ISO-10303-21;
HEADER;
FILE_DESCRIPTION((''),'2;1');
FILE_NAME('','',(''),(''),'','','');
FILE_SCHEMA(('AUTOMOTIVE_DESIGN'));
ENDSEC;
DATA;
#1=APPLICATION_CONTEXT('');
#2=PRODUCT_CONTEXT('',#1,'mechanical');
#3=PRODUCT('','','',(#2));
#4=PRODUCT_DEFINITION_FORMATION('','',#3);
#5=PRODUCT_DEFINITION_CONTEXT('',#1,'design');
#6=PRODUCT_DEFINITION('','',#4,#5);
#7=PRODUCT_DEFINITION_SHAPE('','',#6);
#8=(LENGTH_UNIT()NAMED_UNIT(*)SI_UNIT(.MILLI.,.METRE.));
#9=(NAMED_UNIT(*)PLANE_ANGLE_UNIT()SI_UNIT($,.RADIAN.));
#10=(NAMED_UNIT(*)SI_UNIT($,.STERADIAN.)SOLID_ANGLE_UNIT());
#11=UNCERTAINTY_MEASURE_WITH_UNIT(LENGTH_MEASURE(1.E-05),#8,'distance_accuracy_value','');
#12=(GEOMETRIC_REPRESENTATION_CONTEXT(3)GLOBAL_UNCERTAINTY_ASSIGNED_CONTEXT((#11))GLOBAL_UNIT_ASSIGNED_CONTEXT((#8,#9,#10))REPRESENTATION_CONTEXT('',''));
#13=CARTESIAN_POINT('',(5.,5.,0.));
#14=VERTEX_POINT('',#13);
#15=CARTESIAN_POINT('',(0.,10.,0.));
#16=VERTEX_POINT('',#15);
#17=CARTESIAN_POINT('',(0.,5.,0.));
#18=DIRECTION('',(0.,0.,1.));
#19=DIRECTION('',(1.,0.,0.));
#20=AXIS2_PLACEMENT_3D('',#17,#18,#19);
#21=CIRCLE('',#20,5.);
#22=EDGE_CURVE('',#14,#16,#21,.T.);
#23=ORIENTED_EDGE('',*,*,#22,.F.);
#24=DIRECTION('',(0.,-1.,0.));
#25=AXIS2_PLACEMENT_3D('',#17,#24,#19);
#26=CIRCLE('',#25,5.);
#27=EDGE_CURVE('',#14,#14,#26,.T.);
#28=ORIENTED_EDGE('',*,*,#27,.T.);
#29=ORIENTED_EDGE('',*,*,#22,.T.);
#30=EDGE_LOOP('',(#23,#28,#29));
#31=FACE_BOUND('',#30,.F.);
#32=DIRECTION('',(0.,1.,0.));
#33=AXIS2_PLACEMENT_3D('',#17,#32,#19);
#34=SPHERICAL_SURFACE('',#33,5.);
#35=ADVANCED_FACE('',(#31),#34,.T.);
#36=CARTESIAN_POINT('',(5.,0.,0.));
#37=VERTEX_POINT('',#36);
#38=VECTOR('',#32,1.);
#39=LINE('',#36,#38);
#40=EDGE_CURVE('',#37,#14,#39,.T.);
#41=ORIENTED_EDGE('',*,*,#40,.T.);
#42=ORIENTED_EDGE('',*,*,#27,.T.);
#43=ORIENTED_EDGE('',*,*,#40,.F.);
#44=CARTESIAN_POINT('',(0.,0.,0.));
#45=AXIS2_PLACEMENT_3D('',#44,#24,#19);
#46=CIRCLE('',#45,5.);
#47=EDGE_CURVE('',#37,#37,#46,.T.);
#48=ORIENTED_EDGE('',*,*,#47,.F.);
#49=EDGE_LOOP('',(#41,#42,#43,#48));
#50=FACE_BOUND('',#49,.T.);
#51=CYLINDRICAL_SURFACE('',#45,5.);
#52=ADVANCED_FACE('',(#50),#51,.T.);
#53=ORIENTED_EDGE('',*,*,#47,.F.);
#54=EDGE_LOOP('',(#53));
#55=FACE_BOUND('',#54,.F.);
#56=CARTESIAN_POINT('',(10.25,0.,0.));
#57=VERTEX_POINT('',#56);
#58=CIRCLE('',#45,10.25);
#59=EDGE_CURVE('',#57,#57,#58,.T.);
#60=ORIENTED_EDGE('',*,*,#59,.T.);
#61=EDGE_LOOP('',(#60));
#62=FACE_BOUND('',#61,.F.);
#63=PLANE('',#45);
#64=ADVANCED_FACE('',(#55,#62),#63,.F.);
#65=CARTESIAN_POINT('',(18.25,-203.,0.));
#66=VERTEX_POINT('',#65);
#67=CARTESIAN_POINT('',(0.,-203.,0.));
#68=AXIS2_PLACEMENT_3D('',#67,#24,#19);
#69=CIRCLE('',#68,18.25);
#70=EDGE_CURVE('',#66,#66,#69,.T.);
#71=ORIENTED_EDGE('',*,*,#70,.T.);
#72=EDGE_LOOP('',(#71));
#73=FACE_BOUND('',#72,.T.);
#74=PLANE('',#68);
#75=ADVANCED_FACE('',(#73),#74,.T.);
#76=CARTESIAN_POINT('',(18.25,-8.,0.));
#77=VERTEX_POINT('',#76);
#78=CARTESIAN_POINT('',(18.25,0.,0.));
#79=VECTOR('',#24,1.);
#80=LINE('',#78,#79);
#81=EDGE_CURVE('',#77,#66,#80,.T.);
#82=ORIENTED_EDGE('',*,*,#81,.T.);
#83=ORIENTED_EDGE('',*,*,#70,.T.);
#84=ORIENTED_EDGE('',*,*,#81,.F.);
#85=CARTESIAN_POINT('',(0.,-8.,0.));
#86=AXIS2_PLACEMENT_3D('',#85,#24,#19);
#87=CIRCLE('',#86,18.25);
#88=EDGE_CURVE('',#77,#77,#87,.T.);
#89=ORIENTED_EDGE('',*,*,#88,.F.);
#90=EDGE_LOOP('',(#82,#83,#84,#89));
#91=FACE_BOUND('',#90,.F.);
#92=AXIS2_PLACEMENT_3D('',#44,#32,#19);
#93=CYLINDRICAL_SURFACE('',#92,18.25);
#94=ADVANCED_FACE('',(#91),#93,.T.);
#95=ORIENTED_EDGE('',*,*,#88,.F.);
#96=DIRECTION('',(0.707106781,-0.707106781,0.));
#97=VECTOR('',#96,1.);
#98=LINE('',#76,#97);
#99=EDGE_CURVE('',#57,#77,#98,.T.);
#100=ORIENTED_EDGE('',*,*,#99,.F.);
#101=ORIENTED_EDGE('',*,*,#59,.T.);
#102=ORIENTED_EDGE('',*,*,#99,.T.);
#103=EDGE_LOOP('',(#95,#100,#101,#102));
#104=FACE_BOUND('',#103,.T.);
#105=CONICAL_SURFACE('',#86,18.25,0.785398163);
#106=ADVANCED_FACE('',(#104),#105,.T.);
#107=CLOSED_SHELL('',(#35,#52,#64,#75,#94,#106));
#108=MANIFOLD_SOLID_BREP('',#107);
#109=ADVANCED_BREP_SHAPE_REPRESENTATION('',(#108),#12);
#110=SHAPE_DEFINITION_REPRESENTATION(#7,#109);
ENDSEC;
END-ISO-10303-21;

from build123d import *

# Parameters (mm, degrees)
F0_R     = 18.25
F1_DEPTH = 203
F2_R     = 5
F3_DEPTH = 10
F4_R     = 5
F5_SIZE  = 8


with BuildPart() as f1:
    # F0 (on Front) → F1 (new body)
    with BuildSketch(Plane.XZ):
        Circle(F0_R)
    extrude(amount=F1_DEPTH)

    # F2 (on Front) → F3 (join)
    with BuildSketch(Plane.XZ):
        Circle(F2_R)
    extrude(amount=-F3_DEPTH)

    # F4
    f4_edges = [f1.edges().sort_by_distance(p)[0] for p in [
        (-5, 10, 0),
    ]]
    fillet(f4_edges, radius=F4_R)

    # F5
    f5_edges = [f1.edges().sort_by_distance(p)[0] for p in [
        (-18.25, 0, 0),
    ]]
    chamfer(f5_edges, length=F5_SIZE)


solid = f1.part
